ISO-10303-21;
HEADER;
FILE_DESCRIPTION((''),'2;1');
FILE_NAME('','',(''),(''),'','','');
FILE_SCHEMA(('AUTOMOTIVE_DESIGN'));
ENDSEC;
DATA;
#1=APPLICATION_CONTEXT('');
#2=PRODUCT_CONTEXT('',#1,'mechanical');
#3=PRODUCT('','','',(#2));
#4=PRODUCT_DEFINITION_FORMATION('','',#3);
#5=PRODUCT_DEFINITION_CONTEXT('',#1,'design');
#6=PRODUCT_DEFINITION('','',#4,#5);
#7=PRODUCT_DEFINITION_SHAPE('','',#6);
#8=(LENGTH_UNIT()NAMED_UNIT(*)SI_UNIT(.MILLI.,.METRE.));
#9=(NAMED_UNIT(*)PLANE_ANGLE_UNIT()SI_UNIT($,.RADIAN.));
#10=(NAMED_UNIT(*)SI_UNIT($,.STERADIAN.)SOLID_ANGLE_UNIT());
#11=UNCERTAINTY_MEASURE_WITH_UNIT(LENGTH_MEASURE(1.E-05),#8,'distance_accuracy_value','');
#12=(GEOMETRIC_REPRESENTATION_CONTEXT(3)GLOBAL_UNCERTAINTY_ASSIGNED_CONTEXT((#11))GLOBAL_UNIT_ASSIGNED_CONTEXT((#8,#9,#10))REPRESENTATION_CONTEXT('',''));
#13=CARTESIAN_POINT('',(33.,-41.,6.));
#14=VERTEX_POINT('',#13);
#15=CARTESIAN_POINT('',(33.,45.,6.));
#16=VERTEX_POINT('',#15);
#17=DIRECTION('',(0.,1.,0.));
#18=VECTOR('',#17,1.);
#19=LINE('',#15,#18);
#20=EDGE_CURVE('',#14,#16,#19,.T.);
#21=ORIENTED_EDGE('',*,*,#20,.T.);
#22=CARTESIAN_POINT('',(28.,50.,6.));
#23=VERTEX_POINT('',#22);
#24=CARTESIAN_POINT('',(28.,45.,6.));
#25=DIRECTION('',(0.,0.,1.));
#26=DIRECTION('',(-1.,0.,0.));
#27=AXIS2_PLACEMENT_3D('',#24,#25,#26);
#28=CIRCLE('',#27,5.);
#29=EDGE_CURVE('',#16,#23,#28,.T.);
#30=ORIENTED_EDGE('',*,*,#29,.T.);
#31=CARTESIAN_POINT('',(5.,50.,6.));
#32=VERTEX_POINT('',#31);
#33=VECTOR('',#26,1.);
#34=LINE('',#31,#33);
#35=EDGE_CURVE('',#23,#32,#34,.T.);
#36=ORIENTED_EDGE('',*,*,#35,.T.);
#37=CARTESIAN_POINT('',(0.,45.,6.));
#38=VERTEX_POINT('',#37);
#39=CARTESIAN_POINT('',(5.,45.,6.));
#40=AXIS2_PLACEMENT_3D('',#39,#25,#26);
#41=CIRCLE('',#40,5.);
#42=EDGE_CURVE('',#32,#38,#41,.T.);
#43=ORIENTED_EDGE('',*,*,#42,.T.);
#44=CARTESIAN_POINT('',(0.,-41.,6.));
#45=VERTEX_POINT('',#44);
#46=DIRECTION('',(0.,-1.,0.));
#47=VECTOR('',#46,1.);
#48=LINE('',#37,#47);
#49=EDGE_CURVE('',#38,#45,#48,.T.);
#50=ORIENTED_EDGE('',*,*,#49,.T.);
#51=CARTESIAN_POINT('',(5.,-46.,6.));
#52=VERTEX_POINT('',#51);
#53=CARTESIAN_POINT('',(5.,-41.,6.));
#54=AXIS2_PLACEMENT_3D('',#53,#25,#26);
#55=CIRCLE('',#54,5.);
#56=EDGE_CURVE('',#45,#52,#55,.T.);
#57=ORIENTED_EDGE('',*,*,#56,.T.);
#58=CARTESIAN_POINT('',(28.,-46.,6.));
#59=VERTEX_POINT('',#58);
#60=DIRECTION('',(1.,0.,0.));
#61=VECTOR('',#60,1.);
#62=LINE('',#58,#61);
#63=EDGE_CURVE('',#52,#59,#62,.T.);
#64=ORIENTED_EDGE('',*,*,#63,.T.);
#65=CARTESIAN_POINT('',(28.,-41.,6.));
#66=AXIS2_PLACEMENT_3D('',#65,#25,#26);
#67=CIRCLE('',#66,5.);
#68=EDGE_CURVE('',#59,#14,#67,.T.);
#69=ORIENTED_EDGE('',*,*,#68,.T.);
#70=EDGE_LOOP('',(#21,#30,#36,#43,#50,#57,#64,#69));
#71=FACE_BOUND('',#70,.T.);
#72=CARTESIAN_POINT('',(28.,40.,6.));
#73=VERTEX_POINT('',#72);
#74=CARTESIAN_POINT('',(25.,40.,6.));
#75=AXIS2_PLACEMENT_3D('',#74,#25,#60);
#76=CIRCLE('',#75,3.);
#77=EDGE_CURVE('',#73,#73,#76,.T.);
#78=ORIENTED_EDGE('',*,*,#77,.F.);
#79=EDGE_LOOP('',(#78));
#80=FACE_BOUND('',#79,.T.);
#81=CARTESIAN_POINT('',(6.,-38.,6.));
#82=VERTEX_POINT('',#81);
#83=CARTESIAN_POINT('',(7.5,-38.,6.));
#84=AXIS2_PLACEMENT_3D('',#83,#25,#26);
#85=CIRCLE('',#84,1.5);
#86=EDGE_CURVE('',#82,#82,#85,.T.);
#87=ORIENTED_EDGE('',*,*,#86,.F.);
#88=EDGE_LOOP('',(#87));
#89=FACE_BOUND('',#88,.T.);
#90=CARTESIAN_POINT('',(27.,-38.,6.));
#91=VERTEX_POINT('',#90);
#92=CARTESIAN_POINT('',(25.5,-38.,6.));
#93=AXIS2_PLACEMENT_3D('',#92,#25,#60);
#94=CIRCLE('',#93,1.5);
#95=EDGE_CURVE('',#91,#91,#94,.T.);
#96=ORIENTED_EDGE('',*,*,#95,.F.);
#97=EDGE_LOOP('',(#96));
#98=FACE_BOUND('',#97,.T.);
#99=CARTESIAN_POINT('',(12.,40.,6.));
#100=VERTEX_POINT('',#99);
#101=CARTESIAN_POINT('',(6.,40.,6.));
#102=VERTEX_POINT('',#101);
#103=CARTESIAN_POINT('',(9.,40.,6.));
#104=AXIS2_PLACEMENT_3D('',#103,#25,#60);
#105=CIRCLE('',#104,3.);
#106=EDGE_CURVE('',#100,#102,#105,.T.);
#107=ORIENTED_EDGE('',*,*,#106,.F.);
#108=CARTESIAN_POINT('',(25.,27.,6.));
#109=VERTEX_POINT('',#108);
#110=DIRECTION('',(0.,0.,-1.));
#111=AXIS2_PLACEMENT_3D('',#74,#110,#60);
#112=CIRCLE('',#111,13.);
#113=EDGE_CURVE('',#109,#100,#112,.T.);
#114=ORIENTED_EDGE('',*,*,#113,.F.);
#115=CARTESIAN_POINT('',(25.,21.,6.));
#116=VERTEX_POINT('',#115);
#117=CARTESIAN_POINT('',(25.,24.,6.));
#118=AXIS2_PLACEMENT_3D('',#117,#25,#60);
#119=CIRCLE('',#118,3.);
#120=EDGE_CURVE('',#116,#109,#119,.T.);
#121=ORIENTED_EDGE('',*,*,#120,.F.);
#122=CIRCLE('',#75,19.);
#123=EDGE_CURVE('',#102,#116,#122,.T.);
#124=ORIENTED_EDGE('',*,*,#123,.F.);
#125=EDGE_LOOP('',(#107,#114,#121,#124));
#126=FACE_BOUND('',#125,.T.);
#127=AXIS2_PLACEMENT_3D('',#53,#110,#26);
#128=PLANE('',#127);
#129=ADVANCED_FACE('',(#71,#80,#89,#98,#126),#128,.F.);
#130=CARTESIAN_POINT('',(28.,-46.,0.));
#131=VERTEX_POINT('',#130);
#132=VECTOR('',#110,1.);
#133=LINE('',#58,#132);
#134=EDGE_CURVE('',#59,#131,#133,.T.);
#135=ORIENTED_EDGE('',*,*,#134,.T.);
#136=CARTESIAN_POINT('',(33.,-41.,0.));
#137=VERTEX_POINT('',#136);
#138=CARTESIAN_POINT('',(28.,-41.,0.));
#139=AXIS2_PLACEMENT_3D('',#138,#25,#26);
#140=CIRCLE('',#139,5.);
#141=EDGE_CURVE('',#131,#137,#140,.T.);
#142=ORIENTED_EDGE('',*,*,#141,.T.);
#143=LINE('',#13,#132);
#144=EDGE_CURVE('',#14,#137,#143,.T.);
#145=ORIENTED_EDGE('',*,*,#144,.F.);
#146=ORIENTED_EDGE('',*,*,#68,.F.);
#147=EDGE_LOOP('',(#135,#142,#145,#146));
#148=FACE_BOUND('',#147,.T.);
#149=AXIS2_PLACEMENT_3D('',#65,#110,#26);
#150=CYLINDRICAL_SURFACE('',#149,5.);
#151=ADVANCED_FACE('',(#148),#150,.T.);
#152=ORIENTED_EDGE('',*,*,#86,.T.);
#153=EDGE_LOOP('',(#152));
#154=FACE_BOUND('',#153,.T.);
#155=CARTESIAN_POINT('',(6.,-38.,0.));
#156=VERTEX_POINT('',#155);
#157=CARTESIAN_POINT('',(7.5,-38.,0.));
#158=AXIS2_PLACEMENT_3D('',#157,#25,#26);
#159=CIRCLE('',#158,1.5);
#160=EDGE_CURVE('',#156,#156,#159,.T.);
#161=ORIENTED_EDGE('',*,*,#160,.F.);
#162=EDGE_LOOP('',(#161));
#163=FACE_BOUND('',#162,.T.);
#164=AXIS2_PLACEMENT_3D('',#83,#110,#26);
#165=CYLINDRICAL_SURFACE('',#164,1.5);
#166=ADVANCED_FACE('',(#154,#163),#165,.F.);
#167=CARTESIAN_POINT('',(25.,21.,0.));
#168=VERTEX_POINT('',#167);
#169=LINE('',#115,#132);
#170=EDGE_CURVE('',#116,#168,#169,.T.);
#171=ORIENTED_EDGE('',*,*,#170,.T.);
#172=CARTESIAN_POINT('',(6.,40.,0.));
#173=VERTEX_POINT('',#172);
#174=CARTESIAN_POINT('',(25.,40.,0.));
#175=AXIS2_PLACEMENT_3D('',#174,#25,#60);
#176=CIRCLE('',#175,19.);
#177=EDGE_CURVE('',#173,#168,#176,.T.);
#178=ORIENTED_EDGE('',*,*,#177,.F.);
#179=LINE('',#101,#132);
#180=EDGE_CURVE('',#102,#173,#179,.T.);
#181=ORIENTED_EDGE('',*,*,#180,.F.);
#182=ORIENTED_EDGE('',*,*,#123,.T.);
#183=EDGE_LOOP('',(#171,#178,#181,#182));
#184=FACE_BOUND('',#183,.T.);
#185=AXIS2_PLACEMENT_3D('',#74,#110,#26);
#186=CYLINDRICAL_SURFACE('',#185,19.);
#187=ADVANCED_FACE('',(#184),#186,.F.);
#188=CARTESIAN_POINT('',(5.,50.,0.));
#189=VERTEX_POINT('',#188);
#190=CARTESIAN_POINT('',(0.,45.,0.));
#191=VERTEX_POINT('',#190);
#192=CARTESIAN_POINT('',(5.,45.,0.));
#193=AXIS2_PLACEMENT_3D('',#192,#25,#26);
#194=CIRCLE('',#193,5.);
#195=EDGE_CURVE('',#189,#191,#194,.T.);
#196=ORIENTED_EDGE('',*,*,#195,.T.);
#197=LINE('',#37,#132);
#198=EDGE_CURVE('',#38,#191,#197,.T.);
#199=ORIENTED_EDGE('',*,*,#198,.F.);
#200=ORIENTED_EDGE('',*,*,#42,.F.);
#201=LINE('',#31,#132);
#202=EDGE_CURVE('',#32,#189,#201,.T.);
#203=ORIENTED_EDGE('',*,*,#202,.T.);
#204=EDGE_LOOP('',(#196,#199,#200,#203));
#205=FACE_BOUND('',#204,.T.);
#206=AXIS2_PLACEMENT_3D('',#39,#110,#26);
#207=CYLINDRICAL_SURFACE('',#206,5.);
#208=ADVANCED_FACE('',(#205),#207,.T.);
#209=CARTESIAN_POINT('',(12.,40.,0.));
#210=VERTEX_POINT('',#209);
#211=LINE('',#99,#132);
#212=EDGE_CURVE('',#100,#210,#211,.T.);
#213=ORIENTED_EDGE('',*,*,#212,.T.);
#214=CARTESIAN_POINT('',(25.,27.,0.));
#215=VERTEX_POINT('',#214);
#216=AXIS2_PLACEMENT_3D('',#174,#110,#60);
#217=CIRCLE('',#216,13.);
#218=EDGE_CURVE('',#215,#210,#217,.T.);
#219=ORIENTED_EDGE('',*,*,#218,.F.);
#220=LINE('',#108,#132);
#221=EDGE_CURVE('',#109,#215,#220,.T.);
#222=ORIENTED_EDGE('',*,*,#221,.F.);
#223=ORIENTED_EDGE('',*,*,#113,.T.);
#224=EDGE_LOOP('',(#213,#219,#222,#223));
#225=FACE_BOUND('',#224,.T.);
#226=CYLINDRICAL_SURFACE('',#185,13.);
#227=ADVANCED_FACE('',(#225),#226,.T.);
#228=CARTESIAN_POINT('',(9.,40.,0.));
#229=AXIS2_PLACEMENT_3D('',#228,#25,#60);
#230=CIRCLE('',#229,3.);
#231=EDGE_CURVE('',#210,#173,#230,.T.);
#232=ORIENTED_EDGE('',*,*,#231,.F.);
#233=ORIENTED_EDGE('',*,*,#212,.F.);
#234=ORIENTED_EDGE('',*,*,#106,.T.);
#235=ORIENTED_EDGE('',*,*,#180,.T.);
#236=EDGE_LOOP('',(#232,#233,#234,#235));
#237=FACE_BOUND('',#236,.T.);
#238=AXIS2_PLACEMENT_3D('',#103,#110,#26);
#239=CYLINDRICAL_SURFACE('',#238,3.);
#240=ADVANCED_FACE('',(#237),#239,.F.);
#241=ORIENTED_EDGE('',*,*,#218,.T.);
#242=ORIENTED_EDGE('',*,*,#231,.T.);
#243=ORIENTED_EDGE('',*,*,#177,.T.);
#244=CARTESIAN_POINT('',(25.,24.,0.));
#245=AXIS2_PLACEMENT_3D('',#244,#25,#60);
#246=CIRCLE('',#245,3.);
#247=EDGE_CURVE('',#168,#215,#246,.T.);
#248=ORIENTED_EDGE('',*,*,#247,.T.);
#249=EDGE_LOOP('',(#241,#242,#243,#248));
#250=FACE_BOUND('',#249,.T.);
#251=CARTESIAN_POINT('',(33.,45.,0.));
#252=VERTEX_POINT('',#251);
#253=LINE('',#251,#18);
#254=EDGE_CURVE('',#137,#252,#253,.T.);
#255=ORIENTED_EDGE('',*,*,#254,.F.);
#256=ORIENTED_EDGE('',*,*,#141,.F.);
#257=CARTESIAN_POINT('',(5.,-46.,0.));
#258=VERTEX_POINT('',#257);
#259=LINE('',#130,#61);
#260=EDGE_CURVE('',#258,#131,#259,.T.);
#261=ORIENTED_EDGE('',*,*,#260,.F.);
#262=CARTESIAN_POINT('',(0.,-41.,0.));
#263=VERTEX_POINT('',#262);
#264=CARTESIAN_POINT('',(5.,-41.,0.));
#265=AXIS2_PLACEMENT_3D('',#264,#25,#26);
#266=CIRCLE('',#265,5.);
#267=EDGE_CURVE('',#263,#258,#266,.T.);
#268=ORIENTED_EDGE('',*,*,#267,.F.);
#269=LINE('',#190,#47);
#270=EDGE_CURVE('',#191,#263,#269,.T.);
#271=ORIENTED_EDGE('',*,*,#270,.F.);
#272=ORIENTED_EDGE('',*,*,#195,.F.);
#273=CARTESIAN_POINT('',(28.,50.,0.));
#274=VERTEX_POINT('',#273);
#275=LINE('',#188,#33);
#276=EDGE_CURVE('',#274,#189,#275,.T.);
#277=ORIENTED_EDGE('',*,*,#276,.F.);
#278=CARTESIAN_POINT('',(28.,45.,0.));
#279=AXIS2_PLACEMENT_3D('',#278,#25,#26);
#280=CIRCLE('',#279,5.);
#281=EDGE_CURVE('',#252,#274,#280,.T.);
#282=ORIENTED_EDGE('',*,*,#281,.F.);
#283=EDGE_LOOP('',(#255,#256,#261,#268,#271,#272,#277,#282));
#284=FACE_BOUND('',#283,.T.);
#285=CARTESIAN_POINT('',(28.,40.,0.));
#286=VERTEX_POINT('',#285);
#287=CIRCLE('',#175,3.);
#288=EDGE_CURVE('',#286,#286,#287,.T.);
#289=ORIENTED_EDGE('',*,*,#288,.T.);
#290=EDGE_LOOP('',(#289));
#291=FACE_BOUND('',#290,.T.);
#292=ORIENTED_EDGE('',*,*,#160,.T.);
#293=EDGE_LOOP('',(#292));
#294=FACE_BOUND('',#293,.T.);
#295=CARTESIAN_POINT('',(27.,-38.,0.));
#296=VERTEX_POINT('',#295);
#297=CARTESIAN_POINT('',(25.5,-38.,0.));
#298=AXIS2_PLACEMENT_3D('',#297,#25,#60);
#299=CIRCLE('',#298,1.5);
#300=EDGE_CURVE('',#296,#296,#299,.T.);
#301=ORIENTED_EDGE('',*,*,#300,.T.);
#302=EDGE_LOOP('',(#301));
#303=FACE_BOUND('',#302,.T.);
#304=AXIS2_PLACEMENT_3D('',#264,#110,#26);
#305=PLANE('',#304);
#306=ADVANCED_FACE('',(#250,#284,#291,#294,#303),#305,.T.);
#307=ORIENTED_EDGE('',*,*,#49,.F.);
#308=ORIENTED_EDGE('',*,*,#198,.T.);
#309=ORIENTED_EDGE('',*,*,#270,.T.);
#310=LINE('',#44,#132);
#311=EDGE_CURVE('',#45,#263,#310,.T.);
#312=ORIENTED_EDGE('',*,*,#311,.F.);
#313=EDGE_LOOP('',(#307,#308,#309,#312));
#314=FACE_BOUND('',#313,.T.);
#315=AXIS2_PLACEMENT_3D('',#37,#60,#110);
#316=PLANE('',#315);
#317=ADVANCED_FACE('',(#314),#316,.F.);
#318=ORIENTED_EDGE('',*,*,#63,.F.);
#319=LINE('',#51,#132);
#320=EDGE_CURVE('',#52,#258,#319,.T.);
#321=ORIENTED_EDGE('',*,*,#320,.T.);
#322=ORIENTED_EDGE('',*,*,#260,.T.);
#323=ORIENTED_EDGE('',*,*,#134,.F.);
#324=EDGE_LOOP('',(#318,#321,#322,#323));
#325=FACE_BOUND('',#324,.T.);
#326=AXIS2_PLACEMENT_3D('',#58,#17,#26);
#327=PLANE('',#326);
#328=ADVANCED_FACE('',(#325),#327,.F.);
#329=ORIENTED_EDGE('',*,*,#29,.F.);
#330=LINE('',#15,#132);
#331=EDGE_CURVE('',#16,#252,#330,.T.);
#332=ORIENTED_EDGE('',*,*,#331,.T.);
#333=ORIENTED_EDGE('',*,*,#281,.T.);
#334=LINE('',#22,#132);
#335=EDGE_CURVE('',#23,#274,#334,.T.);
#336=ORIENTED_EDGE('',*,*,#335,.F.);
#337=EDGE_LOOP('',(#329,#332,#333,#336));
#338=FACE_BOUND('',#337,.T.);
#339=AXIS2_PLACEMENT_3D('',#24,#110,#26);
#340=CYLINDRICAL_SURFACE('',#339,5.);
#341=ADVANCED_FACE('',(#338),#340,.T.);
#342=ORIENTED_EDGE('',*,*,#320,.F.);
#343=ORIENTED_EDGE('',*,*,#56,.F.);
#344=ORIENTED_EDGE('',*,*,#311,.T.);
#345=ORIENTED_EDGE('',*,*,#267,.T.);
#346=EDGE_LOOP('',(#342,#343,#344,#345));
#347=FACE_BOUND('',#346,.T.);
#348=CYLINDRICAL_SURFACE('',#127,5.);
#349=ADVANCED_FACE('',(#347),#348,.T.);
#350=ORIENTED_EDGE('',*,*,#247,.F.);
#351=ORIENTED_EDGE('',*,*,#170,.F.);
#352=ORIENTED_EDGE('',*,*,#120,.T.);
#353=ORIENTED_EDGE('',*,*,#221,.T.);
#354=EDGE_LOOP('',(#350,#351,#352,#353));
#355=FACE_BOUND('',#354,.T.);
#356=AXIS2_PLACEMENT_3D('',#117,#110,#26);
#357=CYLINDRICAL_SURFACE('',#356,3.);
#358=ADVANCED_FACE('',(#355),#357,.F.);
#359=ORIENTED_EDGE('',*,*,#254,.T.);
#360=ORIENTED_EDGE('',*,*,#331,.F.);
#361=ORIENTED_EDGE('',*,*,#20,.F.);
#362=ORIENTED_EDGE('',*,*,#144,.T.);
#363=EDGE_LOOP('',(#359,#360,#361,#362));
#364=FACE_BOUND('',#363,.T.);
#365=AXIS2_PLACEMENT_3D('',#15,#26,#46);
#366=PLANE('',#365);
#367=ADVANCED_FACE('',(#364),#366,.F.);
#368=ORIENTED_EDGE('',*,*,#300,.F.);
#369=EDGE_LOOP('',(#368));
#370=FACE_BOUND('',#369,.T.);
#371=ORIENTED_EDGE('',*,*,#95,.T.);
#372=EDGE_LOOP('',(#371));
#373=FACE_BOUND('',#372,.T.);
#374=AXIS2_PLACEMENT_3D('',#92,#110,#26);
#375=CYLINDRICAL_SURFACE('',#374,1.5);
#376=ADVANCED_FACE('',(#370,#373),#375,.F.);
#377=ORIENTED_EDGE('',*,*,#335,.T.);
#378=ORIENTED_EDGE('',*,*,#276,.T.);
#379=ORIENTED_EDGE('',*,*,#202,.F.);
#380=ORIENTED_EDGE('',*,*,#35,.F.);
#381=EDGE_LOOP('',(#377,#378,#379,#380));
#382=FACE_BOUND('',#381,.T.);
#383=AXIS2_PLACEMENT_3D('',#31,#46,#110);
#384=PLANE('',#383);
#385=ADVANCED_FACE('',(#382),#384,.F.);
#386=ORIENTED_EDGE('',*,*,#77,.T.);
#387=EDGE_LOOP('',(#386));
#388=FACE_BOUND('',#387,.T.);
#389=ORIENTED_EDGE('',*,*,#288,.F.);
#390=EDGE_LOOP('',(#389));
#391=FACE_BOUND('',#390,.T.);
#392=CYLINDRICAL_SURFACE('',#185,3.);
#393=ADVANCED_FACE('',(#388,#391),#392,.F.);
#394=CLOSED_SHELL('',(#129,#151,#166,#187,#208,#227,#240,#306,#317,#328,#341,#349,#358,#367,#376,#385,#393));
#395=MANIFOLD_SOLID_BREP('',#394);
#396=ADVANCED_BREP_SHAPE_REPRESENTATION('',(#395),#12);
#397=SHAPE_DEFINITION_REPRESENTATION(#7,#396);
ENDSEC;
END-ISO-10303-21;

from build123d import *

# Parameters (mm, degrees)
ESBO_O1_R                = 3
ESBO_O1_R_2              = 1.5
RESSALTO_EXTRUS_O2_DEPTH = 6


with BuildPart() as part:
    # Esboço1 → Ressalto-extrusão2 (new body)
    with BuildSketch(Plane.XY):
        with BuildLine():
            Line((5, 50), (28, 50))
            ThreePointArc((28, 50), (31.535533906, 48.535533906), (33, 45))
            Line((33, 45), (33, -41))
            ThreePointArc((33, -41), (31.535533906, -44.535533906), (28, -46))
            Line((28, -46), (5, -46))
            ThreePointArc((5, -46), (1.464466094, -44.535533906), (0, -41))
            Line((0, -41), (0, 45))
            ThreePointArc((0, 45), (1.464466094, 48.535533906), (5, 50))
        make_face()
        with Locations((25, 40)):
            Circle(ESBO_O1_R, mode=Mode.SUBTRACT)
        with Locations((25.5, -38)):
            Circle(ESBO_O1_R_2, mode=Mode.SUBTRACT)
        with Locations((7.5, -38)):
            Circle(ESBO_O1_R_2, mode=Mode.SUBTRACT)
        with BuildLine():
            ThreePointArc((6, 40), (11.564971157, 26.564971157), (25, 21))
            ThreePointArc((25, 21), (28, 24), (25, 27))
            ThreePointArc((25, 27), (15.807611845, 30.807611845), (12, 40))
            ThreePointArc((12, 40), (9, 43), (6, 40))
        make_face(mode=Mode.SUBTRACT)
    extrude(amount=RESSALTO_EXTRUS_O2_DEPTH)


solid = part.part
